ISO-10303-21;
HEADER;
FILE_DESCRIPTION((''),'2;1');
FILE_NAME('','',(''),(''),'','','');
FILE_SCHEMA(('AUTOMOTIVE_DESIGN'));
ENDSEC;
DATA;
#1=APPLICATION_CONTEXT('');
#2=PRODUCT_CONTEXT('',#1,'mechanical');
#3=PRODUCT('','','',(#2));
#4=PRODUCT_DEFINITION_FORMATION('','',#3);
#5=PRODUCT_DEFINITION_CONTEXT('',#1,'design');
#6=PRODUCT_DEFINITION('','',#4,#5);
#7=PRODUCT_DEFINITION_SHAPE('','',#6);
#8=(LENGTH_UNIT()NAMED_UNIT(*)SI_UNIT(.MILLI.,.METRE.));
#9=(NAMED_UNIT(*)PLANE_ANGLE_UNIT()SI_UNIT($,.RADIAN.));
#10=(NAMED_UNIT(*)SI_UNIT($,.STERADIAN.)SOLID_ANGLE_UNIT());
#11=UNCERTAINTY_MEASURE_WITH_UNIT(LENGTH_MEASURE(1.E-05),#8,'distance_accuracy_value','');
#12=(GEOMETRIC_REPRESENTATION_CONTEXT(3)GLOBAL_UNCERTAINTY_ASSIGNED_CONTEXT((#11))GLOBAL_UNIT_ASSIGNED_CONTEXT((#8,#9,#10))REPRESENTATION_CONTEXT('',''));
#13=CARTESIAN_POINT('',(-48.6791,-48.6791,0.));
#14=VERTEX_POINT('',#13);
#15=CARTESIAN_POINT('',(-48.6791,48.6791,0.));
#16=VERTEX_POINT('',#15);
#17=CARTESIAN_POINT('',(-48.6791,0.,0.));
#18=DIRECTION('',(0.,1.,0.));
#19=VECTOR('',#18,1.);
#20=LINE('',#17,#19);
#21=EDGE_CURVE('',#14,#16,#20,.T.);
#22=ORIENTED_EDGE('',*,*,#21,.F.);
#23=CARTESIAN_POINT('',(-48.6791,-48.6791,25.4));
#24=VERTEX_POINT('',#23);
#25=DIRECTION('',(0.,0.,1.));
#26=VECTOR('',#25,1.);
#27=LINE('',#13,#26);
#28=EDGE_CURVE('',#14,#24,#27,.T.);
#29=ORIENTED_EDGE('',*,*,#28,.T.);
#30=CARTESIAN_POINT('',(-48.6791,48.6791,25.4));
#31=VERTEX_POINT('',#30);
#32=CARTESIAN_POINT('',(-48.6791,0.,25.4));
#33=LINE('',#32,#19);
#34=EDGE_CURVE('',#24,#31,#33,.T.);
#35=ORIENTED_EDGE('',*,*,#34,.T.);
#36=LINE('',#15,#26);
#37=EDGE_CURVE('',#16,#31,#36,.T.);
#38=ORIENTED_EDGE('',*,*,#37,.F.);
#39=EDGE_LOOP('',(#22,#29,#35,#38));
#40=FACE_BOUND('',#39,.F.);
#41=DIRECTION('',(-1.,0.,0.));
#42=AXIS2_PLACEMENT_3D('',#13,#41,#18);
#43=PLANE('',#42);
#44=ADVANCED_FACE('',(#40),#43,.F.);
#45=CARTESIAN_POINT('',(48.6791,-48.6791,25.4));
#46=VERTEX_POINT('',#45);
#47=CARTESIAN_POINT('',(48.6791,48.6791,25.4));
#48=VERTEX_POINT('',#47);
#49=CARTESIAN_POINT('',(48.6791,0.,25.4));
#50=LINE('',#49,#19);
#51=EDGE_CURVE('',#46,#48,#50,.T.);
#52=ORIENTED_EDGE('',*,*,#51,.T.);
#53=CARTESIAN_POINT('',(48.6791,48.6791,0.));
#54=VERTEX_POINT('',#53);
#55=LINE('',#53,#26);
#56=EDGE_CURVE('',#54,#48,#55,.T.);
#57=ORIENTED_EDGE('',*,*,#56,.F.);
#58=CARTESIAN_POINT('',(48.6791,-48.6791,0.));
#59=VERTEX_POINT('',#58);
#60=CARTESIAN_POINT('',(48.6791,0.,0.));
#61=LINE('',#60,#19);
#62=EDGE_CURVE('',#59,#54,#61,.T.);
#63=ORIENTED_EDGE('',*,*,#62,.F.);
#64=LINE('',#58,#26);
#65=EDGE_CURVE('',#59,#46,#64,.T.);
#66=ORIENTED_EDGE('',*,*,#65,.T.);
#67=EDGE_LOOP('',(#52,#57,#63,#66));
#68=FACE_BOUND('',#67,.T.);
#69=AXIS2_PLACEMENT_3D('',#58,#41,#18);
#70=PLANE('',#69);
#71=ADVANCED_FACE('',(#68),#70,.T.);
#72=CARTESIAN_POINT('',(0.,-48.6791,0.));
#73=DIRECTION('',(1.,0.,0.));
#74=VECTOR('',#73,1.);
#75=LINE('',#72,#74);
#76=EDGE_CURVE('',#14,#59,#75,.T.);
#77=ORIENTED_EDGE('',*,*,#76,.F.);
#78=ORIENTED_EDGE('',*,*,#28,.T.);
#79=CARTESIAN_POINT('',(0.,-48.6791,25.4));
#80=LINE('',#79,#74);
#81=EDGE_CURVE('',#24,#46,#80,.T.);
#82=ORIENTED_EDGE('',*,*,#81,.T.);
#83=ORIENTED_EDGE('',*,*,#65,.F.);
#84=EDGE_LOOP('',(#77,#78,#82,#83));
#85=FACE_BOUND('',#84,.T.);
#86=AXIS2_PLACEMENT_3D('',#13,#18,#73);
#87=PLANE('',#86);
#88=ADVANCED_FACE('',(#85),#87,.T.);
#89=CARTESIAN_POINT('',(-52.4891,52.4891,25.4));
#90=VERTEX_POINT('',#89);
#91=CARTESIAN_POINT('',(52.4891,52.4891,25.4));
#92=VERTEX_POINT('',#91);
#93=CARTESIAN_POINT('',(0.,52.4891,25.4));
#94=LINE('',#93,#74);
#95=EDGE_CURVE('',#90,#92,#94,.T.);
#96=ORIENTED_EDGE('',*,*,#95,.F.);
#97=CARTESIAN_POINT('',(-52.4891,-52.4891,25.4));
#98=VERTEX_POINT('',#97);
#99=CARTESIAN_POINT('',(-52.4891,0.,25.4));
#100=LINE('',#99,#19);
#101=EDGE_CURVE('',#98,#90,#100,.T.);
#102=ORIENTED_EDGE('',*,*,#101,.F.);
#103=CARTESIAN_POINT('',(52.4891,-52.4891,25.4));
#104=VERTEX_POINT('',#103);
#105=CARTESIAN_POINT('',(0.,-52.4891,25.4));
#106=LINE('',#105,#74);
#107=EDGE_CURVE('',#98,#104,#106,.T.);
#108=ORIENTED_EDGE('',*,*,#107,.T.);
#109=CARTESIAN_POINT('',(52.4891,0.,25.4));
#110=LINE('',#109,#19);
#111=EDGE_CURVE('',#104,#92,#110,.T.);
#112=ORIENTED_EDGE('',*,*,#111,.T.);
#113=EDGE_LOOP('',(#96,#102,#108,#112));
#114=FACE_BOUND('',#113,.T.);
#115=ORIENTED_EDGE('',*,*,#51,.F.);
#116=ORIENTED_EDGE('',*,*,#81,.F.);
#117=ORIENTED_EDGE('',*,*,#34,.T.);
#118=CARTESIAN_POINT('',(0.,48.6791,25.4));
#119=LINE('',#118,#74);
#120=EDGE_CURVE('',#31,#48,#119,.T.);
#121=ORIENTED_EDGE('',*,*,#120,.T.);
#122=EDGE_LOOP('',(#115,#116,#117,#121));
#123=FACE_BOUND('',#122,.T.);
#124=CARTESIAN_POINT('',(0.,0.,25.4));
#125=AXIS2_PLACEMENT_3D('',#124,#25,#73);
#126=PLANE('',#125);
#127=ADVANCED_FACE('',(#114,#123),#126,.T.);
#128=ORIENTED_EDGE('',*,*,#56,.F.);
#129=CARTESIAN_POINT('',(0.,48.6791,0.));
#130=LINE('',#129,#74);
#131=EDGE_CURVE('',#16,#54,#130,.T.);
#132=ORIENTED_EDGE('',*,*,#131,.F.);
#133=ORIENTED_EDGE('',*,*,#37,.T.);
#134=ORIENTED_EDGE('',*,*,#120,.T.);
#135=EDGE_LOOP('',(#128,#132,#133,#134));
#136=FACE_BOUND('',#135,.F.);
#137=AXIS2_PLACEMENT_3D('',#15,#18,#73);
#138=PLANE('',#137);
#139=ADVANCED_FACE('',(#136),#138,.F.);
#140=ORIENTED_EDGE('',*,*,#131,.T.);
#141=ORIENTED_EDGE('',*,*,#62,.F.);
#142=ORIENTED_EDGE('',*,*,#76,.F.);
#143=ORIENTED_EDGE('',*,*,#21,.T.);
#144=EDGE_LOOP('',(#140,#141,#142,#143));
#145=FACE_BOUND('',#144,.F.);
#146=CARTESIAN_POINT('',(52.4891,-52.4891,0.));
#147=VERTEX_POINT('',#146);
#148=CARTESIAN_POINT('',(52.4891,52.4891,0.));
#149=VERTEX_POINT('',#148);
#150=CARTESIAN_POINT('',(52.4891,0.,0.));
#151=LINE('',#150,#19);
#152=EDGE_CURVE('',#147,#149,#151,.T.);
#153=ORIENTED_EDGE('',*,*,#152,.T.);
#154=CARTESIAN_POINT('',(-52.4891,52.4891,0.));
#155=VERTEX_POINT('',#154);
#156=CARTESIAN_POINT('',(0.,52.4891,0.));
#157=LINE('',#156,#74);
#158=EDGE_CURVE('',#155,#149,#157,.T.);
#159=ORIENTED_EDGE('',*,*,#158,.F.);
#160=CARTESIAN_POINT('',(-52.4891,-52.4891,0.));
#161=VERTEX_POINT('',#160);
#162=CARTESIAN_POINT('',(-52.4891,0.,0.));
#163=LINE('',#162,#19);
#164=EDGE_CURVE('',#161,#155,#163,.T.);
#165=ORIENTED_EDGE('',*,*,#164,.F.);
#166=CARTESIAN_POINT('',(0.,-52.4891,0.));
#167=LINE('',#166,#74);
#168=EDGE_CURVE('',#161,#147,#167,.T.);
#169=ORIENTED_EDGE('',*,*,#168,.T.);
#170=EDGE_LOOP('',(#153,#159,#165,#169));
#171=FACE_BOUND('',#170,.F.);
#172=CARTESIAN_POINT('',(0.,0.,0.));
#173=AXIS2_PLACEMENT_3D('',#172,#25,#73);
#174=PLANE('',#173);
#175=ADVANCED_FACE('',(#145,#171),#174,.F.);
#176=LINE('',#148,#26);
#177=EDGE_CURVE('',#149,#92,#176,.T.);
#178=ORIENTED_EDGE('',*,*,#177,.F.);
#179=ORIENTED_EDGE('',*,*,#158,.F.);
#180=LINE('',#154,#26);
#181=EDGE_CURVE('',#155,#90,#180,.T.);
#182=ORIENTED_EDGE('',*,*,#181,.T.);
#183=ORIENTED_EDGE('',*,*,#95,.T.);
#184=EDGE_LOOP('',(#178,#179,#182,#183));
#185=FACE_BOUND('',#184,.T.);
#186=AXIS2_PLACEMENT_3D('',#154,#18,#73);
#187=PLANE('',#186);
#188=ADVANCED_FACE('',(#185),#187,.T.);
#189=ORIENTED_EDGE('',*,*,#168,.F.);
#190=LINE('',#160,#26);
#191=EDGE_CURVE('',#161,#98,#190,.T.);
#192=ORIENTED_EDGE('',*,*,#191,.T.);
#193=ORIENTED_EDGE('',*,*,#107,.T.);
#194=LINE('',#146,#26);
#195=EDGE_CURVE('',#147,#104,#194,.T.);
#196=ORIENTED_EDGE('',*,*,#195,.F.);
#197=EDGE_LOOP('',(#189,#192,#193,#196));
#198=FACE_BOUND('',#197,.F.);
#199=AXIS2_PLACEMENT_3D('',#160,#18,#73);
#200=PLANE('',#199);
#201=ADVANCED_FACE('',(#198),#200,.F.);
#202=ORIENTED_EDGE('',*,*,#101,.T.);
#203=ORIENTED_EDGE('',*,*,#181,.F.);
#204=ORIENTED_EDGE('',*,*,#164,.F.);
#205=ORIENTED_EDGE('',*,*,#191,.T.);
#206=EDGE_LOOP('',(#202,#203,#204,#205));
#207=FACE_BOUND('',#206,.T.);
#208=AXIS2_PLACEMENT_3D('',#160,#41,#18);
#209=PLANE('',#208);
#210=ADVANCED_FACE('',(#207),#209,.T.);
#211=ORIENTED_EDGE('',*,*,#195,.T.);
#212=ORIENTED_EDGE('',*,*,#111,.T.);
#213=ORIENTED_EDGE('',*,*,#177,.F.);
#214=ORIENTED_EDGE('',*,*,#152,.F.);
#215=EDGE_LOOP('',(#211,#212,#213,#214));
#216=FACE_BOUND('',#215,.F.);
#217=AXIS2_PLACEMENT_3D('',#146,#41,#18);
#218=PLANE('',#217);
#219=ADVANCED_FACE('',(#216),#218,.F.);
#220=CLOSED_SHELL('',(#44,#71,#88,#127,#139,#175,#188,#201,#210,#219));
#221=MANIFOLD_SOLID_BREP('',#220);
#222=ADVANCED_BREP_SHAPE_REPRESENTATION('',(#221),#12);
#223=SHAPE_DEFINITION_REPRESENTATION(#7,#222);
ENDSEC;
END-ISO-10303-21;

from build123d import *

# Parameters (mm, degrees)
F1_W     = 104.9782
F1_H     = 104.9782
F2_DEPTH = 25.4
F0_W     = 97.3582
F0_H     = 97.3582
F3_DEPTH = 25.4


with BuildPart() as f2:
    # F1 (on Top) → F2 (new body)
    with BuildSketch(Plane.XY):
        Rectangle(F1_W, F1_H)
    extrude(amount=F2_DEPTH)

    # F0 (on Top) → F3 (cut)
    with BuildSketch(Plane.XY):
        Rectangle(F0_W, F0_H)
    extrude(amount=F3_DEPTH, mode=Mode.SUBTRACT)


solid = f2.part
